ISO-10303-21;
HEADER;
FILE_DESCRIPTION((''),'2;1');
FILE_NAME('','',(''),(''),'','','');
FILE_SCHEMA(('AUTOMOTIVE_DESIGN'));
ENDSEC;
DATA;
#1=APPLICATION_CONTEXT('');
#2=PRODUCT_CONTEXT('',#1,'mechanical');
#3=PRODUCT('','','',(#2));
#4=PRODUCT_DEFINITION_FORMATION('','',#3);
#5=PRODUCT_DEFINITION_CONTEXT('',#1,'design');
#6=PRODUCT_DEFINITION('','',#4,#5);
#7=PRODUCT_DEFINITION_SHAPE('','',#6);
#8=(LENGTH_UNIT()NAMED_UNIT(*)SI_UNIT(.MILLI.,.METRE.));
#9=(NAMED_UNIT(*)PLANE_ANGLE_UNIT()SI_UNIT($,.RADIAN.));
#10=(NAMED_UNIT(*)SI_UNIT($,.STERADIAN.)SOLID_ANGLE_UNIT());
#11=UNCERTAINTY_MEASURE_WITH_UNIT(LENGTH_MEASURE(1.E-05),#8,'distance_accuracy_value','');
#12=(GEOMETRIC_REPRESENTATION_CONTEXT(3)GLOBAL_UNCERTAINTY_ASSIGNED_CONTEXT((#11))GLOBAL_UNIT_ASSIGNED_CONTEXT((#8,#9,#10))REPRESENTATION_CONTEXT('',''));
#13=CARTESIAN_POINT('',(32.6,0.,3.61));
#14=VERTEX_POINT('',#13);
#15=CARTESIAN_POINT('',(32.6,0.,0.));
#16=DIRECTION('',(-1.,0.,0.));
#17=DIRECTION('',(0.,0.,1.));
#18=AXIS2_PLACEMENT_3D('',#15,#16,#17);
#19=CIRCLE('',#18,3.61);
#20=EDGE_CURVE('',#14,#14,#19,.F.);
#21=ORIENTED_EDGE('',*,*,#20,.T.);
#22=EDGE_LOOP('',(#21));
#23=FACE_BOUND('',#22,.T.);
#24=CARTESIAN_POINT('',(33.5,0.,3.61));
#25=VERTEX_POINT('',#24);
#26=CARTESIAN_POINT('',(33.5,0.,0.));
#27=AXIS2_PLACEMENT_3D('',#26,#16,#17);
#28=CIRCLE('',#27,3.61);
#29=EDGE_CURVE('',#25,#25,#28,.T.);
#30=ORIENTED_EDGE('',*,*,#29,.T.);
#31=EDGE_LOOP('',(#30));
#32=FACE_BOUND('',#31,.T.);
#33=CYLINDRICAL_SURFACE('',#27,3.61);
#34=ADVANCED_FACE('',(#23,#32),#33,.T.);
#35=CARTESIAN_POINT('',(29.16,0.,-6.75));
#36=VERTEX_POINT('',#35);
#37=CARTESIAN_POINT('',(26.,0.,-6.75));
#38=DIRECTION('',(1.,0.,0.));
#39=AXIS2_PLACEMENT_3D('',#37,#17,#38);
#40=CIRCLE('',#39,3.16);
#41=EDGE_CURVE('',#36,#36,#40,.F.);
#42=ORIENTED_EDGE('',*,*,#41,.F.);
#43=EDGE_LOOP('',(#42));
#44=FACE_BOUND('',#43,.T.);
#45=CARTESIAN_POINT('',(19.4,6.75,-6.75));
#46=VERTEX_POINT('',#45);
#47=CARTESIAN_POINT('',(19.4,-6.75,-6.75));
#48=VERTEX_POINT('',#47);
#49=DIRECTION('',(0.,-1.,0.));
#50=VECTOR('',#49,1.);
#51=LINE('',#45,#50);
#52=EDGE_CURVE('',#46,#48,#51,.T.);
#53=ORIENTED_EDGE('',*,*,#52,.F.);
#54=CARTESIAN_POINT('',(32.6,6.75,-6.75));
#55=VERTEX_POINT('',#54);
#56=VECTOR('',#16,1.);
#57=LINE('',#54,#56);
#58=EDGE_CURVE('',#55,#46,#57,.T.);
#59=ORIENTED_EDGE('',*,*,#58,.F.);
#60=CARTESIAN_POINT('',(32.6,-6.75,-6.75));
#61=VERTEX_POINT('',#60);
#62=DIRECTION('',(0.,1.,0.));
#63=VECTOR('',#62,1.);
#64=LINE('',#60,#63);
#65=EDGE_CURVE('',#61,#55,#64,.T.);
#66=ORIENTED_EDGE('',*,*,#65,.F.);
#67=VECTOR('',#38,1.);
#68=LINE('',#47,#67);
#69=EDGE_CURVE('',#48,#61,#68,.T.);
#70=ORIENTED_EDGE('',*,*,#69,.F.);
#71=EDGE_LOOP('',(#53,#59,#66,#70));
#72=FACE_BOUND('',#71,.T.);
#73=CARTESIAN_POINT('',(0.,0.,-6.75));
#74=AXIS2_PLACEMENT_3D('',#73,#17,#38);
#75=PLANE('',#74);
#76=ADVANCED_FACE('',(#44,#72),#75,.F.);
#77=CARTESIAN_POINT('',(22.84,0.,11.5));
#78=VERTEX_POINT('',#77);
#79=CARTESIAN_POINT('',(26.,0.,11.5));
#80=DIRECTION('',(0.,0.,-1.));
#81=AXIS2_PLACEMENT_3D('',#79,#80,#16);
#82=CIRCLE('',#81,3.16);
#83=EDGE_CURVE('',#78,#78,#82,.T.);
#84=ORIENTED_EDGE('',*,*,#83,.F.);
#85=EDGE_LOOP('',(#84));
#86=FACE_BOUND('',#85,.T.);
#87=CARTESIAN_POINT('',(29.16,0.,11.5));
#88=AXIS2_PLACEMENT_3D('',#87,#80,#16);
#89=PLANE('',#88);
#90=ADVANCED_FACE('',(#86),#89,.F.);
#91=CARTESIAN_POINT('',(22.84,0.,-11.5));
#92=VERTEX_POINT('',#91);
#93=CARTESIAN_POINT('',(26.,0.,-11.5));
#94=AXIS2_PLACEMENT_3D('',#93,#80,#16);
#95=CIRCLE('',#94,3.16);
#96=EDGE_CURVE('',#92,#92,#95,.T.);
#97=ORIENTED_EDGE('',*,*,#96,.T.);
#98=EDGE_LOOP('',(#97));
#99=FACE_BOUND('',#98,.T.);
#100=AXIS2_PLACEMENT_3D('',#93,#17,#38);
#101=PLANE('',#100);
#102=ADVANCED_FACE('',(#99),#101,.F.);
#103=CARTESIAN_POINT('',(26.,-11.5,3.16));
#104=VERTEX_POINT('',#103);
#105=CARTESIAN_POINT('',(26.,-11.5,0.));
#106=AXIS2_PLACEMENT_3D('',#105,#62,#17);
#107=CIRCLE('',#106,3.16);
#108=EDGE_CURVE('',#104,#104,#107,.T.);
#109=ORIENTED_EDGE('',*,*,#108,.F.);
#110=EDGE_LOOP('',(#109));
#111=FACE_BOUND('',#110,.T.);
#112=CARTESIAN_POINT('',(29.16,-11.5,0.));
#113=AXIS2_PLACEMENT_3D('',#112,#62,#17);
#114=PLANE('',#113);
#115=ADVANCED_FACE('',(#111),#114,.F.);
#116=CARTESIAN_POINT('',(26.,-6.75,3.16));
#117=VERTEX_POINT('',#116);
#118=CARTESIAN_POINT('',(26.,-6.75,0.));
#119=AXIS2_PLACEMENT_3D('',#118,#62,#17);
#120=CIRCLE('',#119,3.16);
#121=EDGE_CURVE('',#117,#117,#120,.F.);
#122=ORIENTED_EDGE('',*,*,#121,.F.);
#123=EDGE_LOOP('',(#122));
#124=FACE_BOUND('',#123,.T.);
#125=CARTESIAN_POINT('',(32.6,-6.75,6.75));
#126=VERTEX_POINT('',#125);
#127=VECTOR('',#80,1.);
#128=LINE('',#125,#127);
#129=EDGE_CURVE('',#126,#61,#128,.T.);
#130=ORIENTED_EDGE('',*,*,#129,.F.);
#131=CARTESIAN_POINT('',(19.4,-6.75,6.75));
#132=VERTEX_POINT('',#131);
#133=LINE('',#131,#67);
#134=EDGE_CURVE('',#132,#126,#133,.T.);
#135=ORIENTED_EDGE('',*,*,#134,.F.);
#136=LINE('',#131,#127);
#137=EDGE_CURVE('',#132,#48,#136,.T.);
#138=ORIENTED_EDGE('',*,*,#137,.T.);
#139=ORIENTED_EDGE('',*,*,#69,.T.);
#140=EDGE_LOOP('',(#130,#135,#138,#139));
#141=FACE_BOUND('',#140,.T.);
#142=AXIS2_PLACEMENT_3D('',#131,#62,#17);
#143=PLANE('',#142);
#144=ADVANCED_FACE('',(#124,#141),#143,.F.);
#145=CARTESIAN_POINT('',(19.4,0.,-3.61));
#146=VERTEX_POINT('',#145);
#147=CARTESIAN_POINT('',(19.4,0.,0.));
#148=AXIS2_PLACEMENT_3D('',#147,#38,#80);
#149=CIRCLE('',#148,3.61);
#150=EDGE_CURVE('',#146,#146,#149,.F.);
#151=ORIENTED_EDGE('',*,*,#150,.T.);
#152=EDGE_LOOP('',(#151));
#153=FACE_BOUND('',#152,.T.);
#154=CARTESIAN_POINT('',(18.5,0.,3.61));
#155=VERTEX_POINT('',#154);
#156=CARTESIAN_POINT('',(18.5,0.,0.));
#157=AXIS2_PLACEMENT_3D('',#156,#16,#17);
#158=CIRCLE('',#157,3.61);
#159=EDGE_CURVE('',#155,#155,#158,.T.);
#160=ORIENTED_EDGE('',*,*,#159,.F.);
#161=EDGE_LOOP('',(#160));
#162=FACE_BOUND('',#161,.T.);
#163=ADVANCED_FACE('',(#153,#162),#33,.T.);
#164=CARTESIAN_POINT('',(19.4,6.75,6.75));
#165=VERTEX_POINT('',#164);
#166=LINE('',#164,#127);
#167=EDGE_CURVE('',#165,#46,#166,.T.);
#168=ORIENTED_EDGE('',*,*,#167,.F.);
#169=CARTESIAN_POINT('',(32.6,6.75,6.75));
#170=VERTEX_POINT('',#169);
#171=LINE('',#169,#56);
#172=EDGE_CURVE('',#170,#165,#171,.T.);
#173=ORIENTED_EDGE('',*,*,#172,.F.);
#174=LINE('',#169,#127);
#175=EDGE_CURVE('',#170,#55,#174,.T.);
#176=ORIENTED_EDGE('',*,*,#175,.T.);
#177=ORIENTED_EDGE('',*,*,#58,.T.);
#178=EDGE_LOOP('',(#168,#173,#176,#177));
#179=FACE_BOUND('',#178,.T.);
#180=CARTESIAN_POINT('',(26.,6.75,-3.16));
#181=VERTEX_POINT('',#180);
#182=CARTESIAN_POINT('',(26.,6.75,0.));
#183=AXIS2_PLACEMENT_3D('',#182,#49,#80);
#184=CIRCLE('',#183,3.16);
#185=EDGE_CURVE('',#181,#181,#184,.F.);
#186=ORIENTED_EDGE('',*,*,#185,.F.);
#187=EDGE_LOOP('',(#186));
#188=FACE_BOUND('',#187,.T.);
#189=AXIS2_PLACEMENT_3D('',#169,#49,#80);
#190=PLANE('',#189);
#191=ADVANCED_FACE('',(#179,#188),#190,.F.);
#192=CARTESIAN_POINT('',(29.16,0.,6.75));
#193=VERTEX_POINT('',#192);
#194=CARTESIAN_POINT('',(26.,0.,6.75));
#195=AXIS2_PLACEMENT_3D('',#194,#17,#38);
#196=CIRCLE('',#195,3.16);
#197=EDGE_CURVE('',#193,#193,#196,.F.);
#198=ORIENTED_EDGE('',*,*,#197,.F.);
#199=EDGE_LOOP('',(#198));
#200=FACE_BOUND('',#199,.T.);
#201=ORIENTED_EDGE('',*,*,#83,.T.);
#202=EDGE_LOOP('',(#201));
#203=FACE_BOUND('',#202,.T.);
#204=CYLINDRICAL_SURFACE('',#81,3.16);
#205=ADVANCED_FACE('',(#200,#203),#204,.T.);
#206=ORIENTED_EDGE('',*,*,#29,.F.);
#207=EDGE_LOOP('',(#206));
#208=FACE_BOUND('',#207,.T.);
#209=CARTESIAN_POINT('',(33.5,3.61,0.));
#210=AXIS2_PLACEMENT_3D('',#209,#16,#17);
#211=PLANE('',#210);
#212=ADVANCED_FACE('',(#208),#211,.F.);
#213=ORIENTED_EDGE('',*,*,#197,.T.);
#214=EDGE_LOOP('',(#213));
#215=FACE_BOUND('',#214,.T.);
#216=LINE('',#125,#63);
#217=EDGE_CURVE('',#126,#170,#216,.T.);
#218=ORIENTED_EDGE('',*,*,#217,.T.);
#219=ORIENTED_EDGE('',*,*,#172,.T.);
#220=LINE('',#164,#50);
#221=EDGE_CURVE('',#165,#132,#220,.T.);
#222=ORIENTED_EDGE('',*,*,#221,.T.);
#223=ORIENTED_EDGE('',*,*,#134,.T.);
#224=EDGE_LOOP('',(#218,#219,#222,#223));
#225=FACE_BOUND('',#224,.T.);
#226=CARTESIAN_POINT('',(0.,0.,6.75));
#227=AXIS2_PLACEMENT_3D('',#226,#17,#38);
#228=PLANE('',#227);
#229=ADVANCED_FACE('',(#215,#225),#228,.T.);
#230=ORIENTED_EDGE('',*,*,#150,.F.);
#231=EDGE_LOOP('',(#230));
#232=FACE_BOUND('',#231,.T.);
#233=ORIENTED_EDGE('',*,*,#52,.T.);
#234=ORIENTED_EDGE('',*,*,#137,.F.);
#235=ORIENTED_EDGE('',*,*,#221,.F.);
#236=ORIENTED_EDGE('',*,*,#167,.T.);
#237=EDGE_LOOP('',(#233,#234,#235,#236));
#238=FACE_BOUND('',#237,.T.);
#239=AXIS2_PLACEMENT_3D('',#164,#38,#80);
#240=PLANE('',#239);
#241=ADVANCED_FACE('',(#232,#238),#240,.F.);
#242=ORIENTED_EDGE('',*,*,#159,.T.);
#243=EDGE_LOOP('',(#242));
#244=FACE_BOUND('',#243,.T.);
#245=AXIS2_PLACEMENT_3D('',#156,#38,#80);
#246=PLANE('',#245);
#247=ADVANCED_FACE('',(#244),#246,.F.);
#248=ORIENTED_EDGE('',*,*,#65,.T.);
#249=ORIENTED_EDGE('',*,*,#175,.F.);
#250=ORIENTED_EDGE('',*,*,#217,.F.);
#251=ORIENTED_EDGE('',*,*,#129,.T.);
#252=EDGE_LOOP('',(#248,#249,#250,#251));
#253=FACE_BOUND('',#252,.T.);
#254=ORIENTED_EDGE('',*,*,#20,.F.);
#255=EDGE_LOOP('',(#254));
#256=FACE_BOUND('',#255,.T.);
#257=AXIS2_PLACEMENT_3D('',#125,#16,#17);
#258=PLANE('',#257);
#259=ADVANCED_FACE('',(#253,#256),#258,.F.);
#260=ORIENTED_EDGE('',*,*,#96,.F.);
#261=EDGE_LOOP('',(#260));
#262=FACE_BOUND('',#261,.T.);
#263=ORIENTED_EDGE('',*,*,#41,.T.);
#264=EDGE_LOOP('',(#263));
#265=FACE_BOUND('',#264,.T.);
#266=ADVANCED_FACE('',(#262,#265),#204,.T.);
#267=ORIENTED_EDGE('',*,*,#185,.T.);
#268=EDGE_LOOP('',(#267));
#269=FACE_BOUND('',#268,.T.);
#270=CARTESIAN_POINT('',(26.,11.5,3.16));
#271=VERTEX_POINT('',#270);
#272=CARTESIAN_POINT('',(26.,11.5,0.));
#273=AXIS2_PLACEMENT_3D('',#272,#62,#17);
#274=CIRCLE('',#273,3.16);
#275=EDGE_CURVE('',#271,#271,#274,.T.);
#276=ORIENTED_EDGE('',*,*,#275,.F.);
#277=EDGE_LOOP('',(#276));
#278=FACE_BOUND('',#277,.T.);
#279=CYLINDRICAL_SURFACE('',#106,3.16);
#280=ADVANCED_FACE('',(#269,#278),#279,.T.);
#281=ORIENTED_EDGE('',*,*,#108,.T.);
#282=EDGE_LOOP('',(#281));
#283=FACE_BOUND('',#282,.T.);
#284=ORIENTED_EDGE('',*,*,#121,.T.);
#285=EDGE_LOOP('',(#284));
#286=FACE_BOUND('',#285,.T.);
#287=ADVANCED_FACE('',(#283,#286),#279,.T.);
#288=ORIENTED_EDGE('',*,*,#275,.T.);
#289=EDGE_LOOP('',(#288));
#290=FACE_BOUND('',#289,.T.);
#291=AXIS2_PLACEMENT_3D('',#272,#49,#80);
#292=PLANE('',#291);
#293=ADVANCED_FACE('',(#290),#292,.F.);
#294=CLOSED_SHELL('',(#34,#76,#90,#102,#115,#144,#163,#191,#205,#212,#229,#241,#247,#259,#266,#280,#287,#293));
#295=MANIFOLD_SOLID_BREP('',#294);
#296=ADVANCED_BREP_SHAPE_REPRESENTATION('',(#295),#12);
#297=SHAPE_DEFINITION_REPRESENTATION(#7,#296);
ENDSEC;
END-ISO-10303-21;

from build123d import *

# Parameters (mm, degrees)
BOSS_EXTRUDE1_DEPTH      = 6.75
BOSS_EXTRUDE1_DEPTH_BACK = 6.75
SKETCH1_W                = 13.2
SKETCH1_H                = 13.5
SKETCH2_W                = 3.16
SKETCH2_H                = 23
SKETCH3_W                = 3.16
SKETCH3_H                = 23
SKETCH4_W                = 15
SKETCH4_H                = 3.61


with BuildPart() as part:
    # Sketch1 → Boss-Extrude1 (new, two sides: drawn at the far end of the back side and taken through both)
    with BuildSketch(Plane.XY.offset(-BOSS_EXTRUDE1_DEPTH_BACK)):
        with Locations((26, 0)):
            Rectangle(SKETCH1_W, SKETCH1_H)
    extrude(amount=BOSS_EXTRUDE1_DEPTH + BOSS_EXTRUDE1_DEPTH_BACK)

    # Sketch2 → Revolve1 (revolve)
    with BuildSketch(Plane.XY):
        with Locations((27.58, 0)):
            Rectangle(SKETCH2_W, SKETCH2_H)
    revolve(axis=Axis((26, -11.5, 0), (0, 1, 0)))

    # Sketch3 → Revolve2 (revolve)
    with BuildSketch(Plane(origin=(0, 0, 0), x_dir=(1, 0, 0), z_dir=(0, 1, 0))):
        with Locations((27.58, 0)):
            Rectangle(SKETCH3_W, SKETCH3_H)
    revolve(axis=Axis((26, 0, 11.5), (0, 0, -1)))

    # Sketch4 → Revolve3 (revolve)
    with BuildSketch(Plane.XY):
        with Locations((26, 1.805)):
            Rectangle(SKETCH4_W, SKETCH4_H)
    revolve(axis=Axis((33.5, 0, 0), (-1, 0, 0)))


solid = part.part
